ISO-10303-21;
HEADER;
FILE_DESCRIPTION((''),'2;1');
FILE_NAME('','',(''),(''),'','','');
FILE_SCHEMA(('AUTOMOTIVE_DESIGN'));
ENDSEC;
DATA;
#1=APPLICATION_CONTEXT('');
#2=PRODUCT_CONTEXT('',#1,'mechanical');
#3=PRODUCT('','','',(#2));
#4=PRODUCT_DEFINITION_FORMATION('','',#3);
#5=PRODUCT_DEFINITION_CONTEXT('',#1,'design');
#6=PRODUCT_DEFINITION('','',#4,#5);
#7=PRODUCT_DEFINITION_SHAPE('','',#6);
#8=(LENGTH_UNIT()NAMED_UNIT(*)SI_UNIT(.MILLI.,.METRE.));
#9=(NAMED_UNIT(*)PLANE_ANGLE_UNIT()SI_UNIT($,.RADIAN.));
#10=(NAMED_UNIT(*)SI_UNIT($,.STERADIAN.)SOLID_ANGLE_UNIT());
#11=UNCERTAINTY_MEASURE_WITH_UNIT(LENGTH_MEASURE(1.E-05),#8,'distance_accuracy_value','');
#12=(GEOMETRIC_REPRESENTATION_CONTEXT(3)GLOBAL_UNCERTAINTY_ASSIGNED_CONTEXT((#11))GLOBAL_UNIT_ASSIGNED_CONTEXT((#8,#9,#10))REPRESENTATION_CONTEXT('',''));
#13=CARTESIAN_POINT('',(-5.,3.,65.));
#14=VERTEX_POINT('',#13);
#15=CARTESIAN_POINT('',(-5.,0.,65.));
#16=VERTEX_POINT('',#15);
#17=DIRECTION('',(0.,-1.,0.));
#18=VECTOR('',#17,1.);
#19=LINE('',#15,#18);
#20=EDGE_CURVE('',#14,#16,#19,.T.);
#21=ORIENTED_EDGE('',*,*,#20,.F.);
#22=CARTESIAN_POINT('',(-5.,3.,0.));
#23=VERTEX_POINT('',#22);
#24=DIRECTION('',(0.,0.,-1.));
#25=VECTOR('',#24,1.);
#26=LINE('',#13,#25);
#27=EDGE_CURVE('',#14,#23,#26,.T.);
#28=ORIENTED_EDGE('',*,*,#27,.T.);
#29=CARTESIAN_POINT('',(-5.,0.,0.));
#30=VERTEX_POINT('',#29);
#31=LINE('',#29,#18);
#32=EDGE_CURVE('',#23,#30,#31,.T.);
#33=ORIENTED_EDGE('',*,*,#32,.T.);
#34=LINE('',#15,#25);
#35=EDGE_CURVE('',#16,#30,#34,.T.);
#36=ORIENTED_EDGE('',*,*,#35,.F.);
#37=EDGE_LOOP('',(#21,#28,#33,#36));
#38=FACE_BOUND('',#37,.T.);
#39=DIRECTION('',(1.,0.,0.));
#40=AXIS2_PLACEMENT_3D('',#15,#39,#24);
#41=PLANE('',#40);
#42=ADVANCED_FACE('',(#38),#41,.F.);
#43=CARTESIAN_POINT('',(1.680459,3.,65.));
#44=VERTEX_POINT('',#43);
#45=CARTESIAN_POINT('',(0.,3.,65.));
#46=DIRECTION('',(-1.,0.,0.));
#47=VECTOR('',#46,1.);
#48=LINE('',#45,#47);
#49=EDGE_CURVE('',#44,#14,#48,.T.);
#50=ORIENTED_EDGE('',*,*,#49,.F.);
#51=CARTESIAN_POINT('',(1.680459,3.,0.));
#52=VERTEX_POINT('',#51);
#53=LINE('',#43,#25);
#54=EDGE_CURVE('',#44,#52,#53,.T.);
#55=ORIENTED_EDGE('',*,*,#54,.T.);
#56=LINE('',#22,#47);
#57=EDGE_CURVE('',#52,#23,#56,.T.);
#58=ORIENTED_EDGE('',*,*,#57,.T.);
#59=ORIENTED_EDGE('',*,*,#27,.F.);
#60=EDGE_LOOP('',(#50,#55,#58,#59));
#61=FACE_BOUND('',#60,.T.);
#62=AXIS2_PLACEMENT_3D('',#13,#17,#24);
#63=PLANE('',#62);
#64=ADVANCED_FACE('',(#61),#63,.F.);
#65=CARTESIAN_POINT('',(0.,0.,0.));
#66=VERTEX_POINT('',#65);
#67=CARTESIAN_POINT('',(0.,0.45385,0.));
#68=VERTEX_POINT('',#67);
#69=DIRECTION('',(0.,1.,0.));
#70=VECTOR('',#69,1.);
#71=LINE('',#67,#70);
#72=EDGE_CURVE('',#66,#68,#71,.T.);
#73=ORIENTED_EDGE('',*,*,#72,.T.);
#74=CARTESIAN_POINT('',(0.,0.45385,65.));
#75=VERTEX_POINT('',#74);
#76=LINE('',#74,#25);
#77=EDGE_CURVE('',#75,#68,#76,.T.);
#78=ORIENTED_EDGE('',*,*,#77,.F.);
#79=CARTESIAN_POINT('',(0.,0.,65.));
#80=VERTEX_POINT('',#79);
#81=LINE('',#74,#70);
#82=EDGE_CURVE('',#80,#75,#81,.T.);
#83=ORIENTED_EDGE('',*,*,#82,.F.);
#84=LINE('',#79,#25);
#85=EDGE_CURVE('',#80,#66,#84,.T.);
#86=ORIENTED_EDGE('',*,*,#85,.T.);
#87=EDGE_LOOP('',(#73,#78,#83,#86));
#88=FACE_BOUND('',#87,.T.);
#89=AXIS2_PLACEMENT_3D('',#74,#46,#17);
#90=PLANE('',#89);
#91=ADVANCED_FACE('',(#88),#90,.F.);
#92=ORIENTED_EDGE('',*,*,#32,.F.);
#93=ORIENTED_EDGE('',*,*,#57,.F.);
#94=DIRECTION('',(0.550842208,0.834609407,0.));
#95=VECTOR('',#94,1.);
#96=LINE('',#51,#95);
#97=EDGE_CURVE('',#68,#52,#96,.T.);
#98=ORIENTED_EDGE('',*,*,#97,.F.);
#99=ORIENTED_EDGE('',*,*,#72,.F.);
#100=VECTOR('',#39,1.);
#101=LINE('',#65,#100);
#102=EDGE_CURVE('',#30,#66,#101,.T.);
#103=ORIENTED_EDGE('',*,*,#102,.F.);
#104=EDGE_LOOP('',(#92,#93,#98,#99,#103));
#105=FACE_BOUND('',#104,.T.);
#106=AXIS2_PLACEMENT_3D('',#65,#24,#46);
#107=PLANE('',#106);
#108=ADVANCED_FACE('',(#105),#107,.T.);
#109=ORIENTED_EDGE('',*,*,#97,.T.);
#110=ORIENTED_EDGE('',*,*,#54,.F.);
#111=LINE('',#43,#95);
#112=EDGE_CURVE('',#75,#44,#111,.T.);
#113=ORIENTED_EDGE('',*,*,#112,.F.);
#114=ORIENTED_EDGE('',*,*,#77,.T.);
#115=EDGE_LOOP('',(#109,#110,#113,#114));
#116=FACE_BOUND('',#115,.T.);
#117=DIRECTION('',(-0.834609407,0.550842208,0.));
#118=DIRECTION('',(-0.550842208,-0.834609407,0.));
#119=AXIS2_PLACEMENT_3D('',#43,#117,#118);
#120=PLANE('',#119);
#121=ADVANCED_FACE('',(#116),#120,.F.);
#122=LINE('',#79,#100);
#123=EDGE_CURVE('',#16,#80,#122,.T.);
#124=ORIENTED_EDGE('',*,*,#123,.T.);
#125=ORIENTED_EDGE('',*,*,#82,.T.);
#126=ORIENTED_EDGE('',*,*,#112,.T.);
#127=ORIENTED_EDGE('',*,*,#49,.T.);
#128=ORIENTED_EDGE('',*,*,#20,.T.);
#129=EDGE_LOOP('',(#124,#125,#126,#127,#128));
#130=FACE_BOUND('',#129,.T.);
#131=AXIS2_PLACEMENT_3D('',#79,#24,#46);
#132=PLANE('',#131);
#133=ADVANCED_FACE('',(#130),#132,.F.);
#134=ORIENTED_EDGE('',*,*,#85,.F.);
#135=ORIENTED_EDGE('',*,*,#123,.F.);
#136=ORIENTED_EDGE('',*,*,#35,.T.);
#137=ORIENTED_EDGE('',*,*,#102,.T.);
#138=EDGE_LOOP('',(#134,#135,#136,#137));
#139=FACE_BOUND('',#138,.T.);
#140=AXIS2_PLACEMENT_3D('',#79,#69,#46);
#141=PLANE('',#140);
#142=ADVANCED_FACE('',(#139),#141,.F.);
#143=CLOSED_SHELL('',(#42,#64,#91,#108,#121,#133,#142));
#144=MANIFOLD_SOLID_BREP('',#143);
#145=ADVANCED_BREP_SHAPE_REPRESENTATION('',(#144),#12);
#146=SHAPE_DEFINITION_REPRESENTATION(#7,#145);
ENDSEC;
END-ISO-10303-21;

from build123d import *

# Parameters (mm, degrees)
BOSS_EXTRUDE1_DEPTH = 65


with BuildPart() as part:
    # Sketch1 → Boss-Extrude1 (new body)
    with BuildSketch(Plane.XY):
        Polygon((0, 3), (1.680458684, 3), (0, 0.453850479), (0, 0), (-5, 0), (-5, 3), align=None)
    extrude(amount=BOSS_EXTRUDE1_DEPTH)


solid = part.part
